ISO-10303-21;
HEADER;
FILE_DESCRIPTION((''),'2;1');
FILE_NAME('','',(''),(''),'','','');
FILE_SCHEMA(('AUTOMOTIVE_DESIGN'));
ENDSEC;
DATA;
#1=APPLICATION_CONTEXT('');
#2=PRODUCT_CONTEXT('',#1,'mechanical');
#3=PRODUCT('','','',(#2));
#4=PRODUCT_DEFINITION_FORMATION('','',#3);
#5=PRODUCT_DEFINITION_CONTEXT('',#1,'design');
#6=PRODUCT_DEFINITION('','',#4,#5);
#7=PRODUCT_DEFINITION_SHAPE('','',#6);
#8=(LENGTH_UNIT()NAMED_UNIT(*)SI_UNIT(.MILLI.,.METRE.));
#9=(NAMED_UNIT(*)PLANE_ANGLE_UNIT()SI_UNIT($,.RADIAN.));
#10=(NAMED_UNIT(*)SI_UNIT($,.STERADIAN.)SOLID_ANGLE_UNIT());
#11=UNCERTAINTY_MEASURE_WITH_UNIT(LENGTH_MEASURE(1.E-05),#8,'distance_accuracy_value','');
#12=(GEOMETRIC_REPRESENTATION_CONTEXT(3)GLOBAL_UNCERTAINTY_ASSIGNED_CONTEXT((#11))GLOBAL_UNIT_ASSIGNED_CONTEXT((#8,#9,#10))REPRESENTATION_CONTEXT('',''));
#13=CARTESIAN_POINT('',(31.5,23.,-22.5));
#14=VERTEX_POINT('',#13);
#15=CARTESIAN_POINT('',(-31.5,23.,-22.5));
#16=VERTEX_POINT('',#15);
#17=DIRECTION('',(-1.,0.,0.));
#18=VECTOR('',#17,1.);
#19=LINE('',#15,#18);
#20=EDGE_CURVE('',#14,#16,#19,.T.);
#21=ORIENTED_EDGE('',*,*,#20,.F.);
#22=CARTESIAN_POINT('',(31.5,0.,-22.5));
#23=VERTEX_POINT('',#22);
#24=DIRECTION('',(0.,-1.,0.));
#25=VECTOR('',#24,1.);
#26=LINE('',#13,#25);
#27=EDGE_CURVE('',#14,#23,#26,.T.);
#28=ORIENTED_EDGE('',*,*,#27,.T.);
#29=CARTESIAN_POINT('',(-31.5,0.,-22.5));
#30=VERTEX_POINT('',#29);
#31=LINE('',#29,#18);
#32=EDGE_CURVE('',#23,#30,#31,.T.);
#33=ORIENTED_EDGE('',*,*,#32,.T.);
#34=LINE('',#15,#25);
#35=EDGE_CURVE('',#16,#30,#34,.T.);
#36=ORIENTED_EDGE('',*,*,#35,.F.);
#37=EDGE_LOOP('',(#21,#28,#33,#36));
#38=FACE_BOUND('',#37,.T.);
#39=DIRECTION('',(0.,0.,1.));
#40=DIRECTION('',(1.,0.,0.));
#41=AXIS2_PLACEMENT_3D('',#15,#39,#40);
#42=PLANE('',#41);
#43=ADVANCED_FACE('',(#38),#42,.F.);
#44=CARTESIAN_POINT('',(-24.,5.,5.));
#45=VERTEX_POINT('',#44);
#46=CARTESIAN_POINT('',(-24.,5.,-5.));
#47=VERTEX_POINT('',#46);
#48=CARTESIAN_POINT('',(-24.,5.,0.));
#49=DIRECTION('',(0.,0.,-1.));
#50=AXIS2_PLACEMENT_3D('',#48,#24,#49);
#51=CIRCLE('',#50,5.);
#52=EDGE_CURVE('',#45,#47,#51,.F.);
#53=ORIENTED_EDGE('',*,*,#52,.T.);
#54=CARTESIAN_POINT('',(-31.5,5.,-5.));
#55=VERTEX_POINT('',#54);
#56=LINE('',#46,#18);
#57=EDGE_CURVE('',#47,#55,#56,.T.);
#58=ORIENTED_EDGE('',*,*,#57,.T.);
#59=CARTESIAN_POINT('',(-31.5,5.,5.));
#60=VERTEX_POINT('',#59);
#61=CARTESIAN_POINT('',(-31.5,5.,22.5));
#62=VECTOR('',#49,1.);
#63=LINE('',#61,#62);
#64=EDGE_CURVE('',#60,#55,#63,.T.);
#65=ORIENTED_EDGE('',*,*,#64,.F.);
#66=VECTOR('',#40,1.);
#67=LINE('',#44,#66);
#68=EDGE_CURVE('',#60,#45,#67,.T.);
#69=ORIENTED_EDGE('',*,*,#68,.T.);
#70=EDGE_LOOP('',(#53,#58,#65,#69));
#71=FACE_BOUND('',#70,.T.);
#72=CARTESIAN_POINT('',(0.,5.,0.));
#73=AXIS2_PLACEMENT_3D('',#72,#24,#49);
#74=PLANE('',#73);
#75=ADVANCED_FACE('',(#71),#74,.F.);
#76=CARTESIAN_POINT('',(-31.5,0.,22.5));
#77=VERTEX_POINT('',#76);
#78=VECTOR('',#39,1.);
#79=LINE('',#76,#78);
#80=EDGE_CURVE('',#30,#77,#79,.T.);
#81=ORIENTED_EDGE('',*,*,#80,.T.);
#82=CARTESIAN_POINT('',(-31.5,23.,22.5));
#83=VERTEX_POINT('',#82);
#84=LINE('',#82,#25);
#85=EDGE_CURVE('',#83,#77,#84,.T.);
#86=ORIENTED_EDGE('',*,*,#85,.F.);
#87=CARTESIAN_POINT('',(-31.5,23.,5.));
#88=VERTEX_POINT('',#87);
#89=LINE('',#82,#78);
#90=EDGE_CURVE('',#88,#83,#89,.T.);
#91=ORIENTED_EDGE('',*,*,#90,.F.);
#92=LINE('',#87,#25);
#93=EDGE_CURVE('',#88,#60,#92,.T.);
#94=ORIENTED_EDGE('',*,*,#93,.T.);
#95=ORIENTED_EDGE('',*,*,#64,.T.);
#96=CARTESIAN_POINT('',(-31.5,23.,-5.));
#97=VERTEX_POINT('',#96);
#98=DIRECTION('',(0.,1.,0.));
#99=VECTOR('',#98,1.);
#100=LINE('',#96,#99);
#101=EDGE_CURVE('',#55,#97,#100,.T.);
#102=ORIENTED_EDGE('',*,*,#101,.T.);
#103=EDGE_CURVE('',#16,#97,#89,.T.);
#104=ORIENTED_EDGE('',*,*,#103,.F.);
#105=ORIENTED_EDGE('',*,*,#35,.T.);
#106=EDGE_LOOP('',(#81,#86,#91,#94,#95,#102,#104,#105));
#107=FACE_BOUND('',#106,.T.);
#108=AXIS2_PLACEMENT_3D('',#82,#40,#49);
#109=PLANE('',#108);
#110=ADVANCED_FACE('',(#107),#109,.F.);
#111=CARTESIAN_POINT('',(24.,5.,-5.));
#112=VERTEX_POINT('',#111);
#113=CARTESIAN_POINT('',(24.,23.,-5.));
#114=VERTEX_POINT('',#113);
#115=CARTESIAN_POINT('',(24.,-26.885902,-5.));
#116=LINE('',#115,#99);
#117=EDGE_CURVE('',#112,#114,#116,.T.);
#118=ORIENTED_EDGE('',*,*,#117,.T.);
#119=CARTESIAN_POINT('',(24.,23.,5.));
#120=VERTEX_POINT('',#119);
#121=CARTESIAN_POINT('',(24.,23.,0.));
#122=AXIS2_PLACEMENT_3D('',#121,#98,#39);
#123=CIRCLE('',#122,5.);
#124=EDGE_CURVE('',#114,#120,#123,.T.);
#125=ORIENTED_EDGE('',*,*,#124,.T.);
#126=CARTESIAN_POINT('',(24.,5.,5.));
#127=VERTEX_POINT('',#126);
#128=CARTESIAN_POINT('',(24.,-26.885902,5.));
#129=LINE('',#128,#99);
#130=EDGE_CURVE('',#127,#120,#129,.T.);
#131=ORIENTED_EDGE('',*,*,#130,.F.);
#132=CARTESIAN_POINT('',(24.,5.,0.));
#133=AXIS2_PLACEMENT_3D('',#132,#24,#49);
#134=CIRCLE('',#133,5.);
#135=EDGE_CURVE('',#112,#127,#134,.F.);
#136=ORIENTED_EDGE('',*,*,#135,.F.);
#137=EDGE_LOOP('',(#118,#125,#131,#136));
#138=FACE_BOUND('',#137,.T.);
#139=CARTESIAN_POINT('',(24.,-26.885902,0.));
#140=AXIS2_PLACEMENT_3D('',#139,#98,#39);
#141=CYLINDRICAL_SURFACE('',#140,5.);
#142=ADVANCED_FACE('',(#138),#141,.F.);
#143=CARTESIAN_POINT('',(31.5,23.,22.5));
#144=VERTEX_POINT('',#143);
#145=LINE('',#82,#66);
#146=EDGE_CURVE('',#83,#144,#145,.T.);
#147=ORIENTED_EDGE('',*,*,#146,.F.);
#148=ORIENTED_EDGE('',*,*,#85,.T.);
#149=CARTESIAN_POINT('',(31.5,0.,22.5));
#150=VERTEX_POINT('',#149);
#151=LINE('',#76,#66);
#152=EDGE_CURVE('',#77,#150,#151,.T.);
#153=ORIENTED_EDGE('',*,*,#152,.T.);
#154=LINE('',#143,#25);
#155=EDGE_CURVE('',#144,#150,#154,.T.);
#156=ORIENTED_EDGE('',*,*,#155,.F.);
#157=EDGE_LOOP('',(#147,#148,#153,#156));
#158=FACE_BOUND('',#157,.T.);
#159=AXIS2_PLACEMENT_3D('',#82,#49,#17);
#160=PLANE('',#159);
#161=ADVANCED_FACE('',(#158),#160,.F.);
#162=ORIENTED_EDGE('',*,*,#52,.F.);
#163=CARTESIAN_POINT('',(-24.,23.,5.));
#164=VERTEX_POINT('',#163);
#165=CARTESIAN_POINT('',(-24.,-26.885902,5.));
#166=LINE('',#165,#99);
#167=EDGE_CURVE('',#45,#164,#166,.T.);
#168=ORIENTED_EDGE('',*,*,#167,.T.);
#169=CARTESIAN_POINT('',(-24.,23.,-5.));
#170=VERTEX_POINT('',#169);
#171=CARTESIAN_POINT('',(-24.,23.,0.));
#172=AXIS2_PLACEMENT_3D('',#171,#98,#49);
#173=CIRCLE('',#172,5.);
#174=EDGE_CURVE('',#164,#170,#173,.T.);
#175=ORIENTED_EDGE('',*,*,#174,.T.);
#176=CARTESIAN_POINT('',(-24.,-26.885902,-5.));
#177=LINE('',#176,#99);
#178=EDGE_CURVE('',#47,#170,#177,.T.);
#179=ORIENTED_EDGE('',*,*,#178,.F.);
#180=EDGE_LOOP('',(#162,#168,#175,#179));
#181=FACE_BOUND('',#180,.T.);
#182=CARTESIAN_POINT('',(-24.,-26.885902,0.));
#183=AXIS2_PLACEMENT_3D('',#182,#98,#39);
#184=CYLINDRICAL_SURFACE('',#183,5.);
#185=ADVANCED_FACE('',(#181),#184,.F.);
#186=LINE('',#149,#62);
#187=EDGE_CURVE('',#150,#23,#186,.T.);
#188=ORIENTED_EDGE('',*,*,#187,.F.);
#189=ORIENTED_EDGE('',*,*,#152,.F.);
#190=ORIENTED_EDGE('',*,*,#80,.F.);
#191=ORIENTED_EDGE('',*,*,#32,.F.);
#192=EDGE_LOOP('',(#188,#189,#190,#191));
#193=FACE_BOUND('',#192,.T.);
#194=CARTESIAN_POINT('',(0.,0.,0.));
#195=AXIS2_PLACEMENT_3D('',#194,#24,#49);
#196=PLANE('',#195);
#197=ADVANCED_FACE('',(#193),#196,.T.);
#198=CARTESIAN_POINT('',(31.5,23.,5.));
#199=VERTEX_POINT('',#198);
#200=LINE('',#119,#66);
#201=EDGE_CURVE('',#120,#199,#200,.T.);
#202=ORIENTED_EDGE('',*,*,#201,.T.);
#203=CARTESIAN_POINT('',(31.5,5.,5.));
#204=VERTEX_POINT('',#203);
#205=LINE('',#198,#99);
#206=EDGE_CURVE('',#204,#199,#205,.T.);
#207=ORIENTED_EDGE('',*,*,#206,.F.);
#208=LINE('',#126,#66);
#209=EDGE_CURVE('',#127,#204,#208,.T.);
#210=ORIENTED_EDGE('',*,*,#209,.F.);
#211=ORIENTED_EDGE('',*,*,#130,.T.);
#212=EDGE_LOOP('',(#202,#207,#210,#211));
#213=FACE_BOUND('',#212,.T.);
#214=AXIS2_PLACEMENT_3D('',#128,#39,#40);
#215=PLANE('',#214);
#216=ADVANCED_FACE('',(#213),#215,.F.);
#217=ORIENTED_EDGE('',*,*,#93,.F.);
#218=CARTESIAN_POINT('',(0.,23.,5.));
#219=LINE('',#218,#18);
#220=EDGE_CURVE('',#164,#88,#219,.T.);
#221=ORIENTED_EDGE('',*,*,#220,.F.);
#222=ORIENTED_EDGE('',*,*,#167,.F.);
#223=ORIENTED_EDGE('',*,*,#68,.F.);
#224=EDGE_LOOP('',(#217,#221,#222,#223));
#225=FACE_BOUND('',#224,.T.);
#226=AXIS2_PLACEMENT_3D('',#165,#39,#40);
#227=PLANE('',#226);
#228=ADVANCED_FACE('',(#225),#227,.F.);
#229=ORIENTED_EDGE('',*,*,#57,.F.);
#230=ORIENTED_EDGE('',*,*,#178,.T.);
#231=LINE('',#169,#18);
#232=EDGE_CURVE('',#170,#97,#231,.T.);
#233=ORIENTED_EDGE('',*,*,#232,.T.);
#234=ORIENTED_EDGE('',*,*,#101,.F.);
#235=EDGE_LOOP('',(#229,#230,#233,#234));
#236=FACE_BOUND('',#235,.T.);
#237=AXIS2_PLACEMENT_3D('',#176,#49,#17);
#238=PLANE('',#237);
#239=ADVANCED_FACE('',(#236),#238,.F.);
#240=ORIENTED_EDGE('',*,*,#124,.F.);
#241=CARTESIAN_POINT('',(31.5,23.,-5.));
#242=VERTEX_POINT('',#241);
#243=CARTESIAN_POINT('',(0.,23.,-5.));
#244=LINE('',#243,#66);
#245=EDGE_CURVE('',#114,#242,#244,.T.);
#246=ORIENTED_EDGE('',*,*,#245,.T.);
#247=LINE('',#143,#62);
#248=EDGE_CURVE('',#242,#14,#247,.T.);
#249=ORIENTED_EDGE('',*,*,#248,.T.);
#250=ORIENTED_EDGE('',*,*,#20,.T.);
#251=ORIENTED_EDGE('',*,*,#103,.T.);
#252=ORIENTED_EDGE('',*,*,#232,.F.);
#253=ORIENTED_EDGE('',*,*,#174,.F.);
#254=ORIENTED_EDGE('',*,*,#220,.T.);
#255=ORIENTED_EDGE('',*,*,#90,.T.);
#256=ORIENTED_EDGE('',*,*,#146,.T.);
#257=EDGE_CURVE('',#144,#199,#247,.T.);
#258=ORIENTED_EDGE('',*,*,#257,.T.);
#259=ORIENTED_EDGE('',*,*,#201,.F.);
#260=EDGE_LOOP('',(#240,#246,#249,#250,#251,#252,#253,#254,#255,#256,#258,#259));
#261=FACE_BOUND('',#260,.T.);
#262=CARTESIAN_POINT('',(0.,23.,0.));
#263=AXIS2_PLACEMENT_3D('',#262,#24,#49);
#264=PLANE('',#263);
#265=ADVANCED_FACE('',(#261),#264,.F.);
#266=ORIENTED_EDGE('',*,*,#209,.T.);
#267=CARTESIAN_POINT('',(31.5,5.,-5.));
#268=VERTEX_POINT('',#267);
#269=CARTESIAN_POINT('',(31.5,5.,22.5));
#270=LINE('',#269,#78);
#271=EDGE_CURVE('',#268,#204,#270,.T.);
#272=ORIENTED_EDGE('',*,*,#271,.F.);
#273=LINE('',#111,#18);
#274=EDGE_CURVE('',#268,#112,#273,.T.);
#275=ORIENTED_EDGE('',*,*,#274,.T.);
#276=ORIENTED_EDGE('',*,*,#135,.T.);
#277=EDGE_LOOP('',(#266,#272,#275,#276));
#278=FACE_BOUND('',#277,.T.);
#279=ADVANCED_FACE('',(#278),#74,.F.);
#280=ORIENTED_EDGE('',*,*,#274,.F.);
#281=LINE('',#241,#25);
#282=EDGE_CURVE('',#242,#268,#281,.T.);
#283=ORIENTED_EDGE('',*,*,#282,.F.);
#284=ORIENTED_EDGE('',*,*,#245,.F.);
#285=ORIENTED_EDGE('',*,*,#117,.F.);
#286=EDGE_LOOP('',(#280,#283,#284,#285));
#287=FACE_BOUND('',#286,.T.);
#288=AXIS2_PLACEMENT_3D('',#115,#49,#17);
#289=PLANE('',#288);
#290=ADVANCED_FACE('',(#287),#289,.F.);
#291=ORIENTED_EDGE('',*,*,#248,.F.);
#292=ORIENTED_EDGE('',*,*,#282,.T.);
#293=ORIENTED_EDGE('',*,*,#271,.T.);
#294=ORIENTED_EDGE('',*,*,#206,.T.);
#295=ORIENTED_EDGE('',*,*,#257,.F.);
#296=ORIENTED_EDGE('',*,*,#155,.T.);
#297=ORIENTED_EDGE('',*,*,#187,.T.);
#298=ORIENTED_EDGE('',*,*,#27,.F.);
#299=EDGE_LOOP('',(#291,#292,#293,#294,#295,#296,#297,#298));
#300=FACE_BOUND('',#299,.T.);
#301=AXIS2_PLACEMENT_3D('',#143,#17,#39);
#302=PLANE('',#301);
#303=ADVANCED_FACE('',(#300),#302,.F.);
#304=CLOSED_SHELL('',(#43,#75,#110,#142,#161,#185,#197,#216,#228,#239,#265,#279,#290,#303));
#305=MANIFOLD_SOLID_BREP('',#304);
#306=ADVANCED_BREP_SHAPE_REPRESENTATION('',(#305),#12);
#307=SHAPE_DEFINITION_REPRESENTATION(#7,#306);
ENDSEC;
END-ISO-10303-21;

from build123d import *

# Parameters (mm, degrees)
SKETCH1_W           = 63
SKETCH1_H           = 45
BOSS_EXTRUDE1_DEPTH = 23
CUT_EXTRUDE1_DEPTH  = 18


with BuildPart() as part:
    # Sketch1 → Boss-Extrude1 (new body)
    with BuildSketch(Plane(origin=(0, 0, 0), x_dir=(1, 0, 0), z_dir=(0, 1, 0))):
        Rectangle(SKETCH1_W, SKETCH1_H)
    extrude(amount=BOSS_EXTRUDE1_DEPTH)

    # Sketch2 → Cut-Extrude1 (cut)
    with BuildSketch(Plane(origin=(0, 23, 0), x_dir=(1, 0, 0), z_dir=(0, 1, 0))):
        with BuildLine():
            Line((24, 5), (38.956997059, 5))
            ThreePointArc((38.956997059, 5), (43.956997059, 0), (38.956997059, -5))
            Line((38.956997059, -5), (24, -5))
            ThreePointArc((24, -5), (19, 0), (24, 5))
        make_face()
        with BuildLine():
            Line((-24, 5), (-38.956997059, 5))
            ThreePointArc((-38.956997059, 5), (-43.956997059, 0), (-38.956997059, -5))
            Line((-38.956997059, -5), (-24, -5))
            ThreePointArc((-24, -5), (-19, 0), (-24, 5))
        make_face()
    extrude(amount=-CUT_EXTRUDE1_DEPTH, mode=Mode.SUBTRACT)


solid = part.part
